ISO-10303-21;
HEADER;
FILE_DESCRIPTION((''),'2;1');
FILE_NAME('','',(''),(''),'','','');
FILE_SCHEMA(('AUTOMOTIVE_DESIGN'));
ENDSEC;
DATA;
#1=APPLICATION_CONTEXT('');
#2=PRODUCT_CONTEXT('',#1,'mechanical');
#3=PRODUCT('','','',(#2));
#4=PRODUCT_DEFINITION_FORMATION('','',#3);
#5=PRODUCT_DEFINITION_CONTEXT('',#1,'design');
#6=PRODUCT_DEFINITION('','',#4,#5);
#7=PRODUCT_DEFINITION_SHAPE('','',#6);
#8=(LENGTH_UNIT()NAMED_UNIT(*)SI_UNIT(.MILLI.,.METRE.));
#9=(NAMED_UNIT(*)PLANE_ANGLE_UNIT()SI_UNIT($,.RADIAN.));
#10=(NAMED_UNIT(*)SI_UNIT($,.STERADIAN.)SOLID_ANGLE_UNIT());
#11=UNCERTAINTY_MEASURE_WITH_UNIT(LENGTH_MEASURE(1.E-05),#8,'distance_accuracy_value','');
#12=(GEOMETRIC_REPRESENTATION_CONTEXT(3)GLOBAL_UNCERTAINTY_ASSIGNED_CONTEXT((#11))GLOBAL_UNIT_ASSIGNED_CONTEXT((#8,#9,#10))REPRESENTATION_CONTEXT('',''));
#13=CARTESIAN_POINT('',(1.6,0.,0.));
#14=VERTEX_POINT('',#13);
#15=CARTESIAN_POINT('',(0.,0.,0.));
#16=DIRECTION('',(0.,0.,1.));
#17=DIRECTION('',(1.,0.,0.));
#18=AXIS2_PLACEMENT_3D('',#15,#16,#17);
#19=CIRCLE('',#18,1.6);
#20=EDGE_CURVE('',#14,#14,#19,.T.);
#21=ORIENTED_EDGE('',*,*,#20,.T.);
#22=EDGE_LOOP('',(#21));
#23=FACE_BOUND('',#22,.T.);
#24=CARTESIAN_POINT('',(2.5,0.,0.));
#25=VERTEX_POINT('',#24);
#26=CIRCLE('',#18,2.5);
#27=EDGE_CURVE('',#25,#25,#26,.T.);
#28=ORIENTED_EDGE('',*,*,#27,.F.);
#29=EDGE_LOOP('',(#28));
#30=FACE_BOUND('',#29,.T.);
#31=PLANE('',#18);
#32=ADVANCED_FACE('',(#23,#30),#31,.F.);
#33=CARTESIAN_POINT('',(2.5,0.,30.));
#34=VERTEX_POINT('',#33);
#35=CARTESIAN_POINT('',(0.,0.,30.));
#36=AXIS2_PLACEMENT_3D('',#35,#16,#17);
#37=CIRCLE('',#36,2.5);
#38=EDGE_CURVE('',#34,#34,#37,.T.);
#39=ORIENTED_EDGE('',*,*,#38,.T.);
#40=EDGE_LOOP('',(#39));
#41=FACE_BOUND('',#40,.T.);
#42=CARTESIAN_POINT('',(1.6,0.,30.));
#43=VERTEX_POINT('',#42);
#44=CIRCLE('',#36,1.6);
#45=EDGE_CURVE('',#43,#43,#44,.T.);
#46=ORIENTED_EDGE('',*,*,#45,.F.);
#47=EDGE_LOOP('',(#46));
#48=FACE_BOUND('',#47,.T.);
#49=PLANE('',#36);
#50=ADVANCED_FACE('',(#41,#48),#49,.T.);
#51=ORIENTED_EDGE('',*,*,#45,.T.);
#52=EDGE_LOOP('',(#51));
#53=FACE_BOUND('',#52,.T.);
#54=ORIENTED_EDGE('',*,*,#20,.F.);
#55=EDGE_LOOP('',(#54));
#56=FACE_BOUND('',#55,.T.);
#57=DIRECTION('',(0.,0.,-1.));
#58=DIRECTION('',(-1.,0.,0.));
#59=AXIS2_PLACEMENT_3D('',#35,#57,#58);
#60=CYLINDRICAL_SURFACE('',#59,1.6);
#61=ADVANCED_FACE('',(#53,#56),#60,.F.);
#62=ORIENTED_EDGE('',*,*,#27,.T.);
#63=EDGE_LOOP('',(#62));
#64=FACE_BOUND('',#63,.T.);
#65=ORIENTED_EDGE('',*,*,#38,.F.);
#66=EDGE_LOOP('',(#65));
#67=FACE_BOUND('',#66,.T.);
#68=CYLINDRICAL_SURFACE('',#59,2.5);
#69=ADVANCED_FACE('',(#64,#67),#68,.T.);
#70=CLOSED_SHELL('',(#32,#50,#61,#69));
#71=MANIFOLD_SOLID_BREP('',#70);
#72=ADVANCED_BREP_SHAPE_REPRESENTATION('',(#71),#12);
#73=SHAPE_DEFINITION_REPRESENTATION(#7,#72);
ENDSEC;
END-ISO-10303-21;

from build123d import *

# Parameters (mm, degrees)
SKETCH1_R           = 2.5
SKETCH1_R_2         = 1.6
BOSS_EXTRUDE4_DEPTH = 30


with BuildPart() as part:
    # Sketch1 → Boss-Extrude4 (new body)
    with BuildSketch(Plane.XY):
        Circle(SKETCH1_R)
        Circle(SKETCH1_R_2, mode=Mode.SUBTRACT)
    extrude(amount=BOSS_EXTRUDE4_DEPTH)


solid = part.part
